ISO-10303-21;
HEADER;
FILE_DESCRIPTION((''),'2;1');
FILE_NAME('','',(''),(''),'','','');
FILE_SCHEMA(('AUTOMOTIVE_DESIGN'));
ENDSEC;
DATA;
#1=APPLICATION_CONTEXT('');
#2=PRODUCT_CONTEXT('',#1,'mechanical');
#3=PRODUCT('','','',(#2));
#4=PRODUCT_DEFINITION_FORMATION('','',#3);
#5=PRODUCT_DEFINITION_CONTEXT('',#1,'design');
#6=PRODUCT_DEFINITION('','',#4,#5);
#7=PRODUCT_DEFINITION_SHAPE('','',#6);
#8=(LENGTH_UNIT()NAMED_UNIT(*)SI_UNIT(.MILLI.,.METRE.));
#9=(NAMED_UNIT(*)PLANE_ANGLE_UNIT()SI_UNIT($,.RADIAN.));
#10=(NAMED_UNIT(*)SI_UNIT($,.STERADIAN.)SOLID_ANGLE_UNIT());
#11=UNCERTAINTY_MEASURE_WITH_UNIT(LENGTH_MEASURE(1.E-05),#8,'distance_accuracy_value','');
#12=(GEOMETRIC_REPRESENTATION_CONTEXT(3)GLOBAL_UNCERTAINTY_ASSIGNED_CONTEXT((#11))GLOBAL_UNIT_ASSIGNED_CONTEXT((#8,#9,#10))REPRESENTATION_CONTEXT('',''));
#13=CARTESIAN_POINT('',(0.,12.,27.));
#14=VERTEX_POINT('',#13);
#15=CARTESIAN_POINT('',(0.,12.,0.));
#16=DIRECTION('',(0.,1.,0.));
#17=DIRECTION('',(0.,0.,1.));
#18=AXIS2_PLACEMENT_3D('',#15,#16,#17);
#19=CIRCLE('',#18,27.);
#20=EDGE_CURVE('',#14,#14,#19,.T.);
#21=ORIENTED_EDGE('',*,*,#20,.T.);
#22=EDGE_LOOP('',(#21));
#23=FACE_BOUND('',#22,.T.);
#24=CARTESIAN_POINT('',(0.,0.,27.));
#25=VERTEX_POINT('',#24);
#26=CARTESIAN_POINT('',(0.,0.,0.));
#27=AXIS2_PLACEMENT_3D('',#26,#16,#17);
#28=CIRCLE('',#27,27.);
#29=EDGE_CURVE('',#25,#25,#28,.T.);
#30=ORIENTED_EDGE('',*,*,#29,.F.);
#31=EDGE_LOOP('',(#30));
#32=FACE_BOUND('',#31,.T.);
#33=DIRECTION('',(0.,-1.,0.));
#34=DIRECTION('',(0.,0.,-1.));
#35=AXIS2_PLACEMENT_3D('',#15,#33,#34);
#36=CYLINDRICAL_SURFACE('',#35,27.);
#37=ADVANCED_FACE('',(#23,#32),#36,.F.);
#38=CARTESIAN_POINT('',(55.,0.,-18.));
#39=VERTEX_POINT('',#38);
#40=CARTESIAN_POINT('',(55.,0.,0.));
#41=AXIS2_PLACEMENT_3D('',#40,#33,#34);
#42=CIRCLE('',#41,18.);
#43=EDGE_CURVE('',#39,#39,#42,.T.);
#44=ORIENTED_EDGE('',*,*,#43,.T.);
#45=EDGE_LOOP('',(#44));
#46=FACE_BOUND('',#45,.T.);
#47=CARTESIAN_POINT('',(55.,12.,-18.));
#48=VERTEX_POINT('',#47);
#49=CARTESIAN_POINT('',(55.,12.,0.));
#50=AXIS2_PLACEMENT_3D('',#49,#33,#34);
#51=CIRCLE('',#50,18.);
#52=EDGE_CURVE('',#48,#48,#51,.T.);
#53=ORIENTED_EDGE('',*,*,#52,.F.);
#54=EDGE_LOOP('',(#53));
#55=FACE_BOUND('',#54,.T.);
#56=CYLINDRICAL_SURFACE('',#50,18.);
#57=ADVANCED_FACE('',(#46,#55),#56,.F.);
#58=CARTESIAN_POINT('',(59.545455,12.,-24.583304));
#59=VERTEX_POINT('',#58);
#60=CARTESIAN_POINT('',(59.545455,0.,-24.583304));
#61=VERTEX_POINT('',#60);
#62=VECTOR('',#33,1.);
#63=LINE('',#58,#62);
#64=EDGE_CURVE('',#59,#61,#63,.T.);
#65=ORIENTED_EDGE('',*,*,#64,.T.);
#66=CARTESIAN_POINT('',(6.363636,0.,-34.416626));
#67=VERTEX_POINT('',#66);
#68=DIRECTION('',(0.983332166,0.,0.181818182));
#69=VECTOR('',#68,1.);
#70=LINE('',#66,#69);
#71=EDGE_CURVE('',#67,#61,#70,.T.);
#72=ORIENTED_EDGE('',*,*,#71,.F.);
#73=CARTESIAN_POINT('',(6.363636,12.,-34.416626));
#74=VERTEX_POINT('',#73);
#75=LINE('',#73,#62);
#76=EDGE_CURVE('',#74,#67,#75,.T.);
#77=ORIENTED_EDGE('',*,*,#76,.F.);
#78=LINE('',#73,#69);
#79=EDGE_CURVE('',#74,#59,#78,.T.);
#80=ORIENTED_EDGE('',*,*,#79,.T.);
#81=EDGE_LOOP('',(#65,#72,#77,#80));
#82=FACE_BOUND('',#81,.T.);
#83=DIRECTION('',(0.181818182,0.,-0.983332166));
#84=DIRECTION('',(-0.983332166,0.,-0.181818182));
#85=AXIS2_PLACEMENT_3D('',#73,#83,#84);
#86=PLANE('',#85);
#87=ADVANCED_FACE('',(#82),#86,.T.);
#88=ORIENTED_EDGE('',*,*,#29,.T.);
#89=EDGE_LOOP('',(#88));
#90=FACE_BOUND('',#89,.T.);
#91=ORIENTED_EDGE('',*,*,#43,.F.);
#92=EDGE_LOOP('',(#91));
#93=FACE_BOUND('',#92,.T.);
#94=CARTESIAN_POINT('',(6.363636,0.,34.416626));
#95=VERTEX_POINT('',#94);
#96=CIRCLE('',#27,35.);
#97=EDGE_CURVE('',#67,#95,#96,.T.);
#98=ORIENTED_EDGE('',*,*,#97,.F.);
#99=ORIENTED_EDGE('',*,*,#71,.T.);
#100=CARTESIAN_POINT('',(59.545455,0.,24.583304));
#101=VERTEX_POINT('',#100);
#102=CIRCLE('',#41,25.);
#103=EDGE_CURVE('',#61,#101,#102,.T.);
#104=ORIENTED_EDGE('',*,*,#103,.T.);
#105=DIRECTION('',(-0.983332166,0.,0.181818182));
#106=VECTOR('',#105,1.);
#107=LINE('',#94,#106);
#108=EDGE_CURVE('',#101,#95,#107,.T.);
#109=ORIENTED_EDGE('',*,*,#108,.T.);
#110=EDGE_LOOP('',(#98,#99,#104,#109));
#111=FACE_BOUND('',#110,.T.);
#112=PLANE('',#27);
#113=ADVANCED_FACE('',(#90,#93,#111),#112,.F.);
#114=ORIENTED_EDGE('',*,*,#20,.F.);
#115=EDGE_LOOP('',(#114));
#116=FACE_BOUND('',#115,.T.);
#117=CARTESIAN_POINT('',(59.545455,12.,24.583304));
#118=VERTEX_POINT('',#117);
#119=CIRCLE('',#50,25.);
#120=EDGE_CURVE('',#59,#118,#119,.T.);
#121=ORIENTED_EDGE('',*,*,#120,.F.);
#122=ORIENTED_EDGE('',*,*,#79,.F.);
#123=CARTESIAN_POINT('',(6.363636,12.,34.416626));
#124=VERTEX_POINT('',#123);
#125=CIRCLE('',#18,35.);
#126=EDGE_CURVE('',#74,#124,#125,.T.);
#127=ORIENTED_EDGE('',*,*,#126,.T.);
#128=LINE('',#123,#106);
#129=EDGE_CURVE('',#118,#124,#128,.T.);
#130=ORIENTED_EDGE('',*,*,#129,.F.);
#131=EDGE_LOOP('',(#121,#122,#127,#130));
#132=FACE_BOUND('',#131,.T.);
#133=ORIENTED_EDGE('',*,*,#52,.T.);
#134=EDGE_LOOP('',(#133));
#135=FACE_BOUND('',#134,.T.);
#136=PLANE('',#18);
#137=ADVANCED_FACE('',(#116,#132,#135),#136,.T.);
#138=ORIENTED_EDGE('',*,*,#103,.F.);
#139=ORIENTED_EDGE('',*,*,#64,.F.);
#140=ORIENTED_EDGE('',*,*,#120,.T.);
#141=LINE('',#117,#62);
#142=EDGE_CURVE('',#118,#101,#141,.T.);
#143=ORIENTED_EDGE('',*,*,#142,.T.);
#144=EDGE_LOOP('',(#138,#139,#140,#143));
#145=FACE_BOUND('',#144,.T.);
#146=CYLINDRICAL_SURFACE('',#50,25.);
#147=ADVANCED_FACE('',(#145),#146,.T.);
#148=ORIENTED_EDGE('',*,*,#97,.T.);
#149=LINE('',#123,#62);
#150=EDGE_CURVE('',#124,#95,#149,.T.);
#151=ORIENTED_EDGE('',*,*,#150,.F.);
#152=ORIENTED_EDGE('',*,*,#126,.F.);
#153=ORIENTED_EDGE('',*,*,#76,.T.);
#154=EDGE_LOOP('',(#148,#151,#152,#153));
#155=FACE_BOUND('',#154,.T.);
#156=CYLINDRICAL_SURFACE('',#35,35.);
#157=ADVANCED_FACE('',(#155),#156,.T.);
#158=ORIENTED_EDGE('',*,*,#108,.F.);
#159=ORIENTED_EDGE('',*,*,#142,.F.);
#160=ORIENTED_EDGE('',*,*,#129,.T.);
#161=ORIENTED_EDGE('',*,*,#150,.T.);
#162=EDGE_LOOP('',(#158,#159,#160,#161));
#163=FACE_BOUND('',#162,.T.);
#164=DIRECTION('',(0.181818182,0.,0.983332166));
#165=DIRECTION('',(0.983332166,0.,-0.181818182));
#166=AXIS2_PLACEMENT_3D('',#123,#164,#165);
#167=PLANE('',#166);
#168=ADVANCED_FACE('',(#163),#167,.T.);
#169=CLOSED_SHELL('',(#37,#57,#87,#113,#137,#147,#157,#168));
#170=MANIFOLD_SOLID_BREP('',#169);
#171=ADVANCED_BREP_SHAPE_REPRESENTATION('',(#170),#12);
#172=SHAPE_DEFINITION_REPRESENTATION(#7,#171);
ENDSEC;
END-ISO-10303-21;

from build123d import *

# Parameters (mm, degrees)
SKETCH_1_R      = 35
SKETCH_1_R_2    = 27
EXTRUDE_1_DEPTH = 12
SKETCH_2_R      = 18
EXTRUDE_2_DEPTH = 12


with BuildPart() as part:
    # 草图1 → 凸台-拉伸1 (new body)
    with BuildSketch(Plane(origin=(0, 0, 0), x_dir=(1, 0, 0), z_dir=(0, 1, 0))):
        with Locations(Location((0, 0, 0), (0, 0, 270))):
            Circle(SKETCH_1_R)
        with Locations(Location((0, 0, 0), (0, 0, 270))):
            Circle(SKETCH_1_R_2, mode=Mode.SUBTRACT)
    extrude(amount=EXTRUDE_1_DEPTH)

    # 草图2 → 凸台-拉伸2 (add)
    with BuildSketch(Plane.XZ):
        with BuildLine():
            Line((6.363636364, 34.416625811), (59.545454545, 24.583304151))
            ThreePointArc((59.545454545, 24.583304151), (80, 0), (59.545454545, -24.583304151))
            Line((59.545454545, -24.583304151), (6.363636364, -34.416625811))
            ThreePointArc((6.363636364, -34.416625811), (35, 0), (6.363636364, 34.416625811))
        make_face()
        with Locations(Location((55, 0, 0), (0, 0, 270))):
            Circle(SKETCH_2_R, mode=Mode.SUBTRACT)
    extrude(amount=-EXTRUDE_2_DEPTH)


solid = part.part
